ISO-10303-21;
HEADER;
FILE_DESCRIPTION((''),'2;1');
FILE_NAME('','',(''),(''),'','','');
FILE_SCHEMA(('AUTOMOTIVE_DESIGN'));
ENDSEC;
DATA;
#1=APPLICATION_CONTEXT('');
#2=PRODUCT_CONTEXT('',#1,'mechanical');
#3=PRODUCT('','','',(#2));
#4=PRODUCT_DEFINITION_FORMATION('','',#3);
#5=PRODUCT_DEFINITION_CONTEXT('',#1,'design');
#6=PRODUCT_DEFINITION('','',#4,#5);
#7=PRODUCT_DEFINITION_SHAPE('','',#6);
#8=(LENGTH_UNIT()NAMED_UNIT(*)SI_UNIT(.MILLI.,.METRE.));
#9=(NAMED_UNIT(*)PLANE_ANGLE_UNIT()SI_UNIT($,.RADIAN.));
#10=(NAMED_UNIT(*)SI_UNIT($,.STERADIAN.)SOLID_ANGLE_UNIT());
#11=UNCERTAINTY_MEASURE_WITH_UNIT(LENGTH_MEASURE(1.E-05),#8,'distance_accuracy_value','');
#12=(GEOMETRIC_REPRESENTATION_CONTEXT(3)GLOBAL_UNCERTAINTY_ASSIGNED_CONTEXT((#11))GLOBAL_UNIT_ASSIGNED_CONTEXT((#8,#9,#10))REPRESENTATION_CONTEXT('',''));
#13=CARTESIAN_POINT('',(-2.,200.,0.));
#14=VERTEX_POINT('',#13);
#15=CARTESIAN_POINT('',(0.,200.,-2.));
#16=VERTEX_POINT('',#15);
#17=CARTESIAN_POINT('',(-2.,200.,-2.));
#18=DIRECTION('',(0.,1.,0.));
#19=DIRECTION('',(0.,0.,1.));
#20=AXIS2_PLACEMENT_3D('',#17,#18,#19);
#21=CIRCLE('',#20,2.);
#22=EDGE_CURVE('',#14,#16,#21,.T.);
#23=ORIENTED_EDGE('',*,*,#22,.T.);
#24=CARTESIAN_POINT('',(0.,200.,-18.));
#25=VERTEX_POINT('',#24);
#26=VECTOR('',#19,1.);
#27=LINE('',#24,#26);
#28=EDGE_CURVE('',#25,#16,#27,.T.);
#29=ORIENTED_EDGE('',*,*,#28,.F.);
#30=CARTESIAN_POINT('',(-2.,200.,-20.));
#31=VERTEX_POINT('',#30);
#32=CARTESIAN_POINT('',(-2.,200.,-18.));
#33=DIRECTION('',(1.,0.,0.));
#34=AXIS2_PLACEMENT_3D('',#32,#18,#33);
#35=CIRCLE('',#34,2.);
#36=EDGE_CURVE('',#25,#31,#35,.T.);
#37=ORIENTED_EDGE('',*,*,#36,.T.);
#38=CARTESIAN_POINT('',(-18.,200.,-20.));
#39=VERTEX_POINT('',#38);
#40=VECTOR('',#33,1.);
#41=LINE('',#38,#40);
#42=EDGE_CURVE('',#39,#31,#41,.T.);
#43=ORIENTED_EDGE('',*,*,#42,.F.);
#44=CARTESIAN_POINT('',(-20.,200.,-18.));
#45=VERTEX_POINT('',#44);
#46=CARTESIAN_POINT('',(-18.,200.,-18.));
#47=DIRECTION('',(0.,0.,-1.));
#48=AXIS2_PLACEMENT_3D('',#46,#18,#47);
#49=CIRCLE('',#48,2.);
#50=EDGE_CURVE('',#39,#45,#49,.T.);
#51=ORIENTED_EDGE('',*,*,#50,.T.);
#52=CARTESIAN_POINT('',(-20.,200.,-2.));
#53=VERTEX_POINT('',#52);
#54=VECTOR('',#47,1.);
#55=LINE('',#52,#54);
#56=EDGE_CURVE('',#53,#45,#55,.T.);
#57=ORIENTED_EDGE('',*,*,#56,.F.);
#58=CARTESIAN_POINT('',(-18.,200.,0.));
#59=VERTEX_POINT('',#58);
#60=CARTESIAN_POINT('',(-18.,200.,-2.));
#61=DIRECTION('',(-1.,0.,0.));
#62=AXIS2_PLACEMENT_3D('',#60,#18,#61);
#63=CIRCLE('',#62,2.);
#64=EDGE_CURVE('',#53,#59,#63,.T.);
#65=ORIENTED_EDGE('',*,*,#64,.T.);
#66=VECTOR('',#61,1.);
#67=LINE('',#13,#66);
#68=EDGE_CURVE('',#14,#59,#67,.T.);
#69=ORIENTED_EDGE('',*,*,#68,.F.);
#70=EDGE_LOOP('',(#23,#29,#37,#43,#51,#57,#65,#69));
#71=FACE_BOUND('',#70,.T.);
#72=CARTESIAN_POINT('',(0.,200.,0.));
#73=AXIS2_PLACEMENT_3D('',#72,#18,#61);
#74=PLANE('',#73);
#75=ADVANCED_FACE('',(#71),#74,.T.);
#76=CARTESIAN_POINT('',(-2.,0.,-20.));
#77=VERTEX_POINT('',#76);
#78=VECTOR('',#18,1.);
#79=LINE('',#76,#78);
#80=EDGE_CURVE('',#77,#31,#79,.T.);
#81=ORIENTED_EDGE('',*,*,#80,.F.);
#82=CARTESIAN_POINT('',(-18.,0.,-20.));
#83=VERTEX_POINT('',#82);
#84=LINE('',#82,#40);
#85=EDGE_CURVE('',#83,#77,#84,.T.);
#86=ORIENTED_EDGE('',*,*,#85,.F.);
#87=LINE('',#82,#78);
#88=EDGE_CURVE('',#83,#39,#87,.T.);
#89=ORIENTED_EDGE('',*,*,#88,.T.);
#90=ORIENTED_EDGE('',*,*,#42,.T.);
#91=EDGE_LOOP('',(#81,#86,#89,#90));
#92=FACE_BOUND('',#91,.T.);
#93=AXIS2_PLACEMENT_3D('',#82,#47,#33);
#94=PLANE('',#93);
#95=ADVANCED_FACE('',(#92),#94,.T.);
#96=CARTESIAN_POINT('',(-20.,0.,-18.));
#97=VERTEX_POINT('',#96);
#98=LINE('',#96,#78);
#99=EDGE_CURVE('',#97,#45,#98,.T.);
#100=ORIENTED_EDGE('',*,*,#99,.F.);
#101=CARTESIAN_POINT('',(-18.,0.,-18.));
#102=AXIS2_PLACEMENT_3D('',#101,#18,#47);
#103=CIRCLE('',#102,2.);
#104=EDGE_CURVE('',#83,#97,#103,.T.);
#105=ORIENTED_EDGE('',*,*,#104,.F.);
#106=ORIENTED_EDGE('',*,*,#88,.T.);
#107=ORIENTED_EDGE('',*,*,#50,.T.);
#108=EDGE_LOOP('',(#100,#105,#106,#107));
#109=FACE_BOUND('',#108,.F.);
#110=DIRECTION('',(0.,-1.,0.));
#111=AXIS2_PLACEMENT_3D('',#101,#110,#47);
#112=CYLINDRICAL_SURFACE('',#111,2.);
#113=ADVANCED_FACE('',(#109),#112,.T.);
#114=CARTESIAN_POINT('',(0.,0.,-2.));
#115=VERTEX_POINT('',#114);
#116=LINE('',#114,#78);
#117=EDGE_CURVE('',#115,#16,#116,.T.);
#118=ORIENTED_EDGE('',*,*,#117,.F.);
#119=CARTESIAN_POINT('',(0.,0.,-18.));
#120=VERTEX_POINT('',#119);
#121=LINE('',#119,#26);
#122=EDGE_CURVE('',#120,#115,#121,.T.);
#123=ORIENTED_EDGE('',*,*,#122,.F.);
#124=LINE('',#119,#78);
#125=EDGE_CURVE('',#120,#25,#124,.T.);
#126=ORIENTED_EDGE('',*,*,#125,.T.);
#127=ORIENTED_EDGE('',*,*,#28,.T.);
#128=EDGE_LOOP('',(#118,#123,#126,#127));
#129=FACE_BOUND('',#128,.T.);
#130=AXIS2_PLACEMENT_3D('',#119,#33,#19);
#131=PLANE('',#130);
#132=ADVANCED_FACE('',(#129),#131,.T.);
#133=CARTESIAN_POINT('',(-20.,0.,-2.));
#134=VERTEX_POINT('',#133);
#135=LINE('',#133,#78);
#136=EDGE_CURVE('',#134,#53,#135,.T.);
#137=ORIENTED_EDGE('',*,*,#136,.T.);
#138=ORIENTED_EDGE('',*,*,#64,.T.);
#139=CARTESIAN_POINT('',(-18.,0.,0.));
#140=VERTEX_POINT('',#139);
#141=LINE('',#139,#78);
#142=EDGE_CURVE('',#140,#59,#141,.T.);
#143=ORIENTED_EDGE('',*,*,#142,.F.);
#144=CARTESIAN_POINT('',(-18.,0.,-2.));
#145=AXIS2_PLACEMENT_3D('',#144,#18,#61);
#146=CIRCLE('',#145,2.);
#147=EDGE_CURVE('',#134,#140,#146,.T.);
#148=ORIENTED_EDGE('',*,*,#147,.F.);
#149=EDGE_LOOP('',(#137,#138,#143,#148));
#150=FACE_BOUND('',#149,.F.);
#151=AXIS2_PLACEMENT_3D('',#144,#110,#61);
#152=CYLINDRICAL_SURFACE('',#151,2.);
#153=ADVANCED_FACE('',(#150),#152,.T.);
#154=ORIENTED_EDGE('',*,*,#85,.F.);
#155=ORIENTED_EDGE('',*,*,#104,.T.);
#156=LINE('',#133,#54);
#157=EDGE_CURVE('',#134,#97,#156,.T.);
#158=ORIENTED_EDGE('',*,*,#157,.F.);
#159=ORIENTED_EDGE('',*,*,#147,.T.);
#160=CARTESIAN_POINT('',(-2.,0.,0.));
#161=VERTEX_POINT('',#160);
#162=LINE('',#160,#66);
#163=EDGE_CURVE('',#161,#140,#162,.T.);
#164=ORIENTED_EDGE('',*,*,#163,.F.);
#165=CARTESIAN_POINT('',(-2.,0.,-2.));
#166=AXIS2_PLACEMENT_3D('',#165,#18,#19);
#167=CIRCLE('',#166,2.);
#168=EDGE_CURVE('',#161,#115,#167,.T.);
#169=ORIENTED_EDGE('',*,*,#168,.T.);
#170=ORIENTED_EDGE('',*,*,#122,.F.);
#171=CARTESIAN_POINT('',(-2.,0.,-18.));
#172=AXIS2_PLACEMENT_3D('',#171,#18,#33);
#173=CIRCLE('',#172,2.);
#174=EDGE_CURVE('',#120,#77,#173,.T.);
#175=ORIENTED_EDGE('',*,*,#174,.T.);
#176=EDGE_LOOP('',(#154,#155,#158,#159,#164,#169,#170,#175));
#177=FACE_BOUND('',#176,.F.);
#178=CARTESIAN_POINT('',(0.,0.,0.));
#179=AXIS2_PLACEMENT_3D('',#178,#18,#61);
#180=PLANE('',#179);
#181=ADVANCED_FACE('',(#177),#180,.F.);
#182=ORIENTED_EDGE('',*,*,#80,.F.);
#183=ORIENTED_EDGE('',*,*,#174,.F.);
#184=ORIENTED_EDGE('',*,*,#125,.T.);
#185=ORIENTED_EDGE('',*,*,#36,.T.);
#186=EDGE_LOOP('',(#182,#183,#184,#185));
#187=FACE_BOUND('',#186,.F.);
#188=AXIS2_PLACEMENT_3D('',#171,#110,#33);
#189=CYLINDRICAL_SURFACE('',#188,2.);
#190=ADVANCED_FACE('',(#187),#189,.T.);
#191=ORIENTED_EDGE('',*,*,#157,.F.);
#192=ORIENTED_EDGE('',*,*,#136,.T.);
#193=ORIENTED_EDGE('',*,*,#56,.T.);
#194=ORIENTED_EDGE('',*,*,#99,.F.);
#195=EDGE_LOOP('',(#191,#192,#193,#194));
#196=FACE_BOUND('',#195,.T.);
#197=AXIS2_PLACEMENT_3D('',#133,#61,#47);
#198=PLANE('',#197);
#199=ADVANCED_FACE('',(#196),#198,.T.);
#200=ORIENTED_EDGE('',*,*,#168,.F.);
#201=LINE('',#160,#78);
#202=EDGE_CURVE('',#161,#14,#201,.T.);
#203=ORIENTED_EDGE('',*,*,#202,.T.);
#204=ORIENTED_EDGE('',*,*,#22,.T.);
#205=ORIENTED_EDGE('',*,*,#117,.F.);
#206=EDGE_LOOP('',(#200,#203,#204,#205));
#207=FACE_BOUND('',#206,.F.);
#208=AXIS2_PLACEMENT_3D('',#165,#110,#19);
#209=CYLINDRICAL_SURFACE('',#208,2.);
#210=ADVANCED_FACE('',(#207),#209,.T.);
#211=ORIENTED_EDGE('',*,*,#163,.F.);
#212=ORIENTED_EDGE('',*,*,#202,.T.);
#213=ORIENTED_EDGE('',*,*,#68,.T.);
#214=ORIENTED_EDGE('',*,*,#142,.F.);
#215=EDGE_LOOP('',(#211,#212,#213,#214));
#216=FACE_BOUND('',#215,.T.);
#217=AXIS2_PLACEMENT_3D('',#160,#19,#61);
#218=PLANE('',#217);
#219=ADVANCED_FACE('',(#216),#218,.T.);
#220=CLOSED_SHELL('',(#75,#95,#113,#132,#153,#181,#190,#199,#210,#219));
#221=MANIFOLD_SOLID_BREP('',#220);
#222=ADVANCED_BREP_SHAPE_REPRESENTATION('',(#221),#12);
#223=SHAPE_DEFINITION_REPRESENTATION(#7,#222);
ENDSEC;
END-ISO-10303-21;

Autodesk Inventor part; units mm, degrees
ref_plane "YZ Plane" through (0, 0, 0) normal (1, 0, 0) x (0, 1, 0)
ref_plane "XZ Plane" through (0, 0, 0) normal (0, 1, 0) x (-1, 0, 0)
ref_plane "XY Plane" through (0, 0, 0) normal (0, 0, 1) x (1, 0, 0)
sketch "Sketch1" plane through (0, 0, 0) normal (0, 1, 0) x (-1, 0, 0)
  line L0 (2, 0) -> (18, 0)
  line L1 (20, -2) -> (20, -18)
  line L2 (18, -20) -> (2, -20)
  line L3 (0, -18) -> (0, -2)
  arc A0 (20, -2) -> (18, 0) centre (18, -2) ccw
  arc A1 (2, 0) -> (0, -2) centre (2, -2) ccw
  arc A2 (0, -18) -> (2, -20) centre (2, -18) ccw
  arc A3 (18, -20) -> (20, -18) centre (18, -18) ccw
  point P0 (0, 0)
  point P1 (20, -20)
  point P2 (20, 0)
  point P3 (0, -20)
  dimension "d0" = 20
  dimension "d1" = 20
  dimension "d4" = 2
extrude "Extrusion1" add sketch "Sketch1" along normal blind 200
properties part number "MagnetShaft"
